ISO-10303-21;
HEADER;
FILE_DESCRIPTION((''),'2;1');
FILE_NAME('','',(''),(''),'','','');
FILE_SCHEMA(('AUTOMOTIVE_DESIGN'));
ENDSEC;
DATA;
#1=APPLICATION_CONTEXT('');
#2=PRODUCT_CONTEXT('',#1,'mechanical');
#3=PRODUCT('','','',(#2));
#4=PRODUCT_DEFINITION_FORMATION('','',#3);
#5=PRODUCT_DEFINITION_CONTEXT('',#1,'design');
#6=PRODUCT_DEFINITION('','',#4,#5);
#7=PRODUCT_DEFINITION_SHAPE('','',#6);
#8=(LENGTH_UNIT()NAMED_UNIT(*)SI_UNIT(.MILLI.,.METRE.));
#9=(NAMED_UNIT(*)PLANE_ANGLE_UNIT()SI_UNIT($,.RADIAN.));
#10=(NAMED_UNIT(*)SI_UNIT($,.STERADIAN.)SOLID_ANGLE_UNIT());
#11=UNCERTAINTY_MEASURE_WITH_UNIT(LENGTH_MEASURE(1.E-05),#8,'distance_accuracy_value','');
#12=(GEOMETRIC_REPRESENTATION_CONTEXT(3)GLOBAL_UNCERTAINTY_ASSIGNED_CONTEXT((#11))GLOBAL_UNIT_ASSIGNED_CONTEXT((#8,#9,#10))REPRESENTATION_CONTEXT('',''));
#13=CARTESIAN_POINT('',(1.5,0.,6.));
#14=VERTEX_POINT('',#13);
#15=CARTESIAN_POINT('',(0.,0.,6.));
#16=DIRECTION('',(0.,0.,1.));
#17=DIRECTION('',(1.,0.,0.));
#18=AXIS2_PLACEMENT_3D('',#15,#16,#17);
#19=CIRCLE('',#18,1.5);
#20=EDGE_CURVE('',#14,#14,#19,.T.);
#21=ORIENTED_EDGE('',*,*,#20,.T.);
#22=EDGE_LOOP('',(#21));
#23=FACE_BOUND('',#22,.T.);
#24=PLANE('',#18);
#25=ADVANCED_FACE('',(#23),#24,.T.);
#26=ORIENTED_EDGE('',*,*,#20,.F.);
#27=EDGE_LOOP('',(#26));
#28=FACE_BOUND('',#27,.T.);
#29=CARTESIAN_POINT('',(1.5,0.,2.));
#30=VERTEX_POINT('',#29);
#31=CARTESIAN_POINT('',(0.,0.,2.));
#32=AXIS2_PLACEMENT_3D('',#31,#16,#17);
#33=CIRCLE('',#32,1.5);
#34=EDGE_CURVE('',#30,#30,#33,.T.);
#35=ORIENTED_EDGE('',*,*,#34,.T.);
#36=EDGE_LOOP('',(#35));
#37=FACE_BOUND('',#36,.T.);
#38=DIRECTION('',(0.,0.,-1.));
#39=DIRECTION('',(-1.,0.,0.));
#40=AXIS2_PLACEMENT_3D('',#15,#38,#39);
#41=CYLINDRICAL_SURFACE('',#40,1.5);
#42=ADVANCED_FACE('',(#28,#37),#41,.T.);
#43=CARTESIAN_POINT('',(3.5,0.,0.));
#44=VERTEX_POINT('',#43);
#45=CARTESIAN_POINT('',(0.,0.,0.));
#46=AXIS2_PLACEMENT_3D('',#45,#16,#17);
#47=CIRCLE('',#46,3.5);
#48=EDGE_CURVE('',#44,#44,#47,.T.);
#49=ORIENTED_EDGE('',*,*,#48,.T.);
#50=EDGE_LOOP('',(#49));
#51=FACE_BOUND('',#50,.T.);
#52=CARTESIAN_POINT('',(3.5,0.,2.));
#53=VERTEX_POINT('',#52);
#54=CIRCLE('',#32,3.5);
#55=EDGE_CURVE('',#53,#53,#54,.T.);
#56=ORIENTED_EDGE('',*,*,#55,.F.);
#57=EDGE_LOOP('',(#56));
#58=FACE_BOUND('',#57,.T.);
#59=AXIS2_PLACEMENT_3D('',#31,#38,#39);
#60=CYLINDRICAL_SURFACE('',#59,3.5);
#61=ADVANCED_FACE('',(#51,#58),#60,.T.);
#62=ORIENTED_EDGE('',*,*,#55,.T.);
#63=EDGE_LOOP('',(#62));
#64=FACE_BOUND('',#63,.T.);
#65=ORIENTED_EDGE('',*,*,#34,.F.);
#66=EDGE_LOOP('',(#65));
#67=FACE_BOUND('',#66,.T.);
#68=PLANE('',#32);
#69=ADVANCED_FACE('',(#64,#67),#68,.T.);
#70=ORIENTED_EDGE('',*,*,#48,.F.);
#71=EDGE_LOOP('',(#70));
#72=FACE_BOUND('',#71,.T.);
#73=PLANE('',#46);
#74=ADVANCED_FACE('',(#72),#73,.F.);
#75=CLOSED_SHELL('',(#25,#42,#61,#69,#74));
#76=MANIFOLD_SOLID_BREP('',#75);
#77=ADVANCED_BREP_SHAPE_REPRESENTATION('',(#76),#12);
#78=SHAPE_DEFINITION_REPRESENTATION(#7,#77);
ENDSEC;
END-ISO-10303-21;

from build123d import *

# Parameters (mm, degrees)
SZKIC1_R                    = 3.5
DODANIE_WYCI_GNI_CIE1_DEPTH = 2
SZKIC2_R                    = 1.5
DODANIE_WYCI_GNI_CIE2_DEPTH = 4


with BuildPart() as part:
    # Szkic1 → Dodanie-wyciągnięcie1 (new body)
    with BuildSketch(Plane.XY):
        Circle(SZKIC1_R)
    extrude(amount=DODANIE_WYCI_GNI_CIE1_DEPTH)

    # Szkic2 → Dodanie-wyciągnięcie2 (add)
    with BuildSketch(Plane.XY.offset(2)):
        Circle(SZKIC2_R)
    extrude(amount=DODANIE_WYCI_GNI_CIE2_DEPTH)


solid = part.part
